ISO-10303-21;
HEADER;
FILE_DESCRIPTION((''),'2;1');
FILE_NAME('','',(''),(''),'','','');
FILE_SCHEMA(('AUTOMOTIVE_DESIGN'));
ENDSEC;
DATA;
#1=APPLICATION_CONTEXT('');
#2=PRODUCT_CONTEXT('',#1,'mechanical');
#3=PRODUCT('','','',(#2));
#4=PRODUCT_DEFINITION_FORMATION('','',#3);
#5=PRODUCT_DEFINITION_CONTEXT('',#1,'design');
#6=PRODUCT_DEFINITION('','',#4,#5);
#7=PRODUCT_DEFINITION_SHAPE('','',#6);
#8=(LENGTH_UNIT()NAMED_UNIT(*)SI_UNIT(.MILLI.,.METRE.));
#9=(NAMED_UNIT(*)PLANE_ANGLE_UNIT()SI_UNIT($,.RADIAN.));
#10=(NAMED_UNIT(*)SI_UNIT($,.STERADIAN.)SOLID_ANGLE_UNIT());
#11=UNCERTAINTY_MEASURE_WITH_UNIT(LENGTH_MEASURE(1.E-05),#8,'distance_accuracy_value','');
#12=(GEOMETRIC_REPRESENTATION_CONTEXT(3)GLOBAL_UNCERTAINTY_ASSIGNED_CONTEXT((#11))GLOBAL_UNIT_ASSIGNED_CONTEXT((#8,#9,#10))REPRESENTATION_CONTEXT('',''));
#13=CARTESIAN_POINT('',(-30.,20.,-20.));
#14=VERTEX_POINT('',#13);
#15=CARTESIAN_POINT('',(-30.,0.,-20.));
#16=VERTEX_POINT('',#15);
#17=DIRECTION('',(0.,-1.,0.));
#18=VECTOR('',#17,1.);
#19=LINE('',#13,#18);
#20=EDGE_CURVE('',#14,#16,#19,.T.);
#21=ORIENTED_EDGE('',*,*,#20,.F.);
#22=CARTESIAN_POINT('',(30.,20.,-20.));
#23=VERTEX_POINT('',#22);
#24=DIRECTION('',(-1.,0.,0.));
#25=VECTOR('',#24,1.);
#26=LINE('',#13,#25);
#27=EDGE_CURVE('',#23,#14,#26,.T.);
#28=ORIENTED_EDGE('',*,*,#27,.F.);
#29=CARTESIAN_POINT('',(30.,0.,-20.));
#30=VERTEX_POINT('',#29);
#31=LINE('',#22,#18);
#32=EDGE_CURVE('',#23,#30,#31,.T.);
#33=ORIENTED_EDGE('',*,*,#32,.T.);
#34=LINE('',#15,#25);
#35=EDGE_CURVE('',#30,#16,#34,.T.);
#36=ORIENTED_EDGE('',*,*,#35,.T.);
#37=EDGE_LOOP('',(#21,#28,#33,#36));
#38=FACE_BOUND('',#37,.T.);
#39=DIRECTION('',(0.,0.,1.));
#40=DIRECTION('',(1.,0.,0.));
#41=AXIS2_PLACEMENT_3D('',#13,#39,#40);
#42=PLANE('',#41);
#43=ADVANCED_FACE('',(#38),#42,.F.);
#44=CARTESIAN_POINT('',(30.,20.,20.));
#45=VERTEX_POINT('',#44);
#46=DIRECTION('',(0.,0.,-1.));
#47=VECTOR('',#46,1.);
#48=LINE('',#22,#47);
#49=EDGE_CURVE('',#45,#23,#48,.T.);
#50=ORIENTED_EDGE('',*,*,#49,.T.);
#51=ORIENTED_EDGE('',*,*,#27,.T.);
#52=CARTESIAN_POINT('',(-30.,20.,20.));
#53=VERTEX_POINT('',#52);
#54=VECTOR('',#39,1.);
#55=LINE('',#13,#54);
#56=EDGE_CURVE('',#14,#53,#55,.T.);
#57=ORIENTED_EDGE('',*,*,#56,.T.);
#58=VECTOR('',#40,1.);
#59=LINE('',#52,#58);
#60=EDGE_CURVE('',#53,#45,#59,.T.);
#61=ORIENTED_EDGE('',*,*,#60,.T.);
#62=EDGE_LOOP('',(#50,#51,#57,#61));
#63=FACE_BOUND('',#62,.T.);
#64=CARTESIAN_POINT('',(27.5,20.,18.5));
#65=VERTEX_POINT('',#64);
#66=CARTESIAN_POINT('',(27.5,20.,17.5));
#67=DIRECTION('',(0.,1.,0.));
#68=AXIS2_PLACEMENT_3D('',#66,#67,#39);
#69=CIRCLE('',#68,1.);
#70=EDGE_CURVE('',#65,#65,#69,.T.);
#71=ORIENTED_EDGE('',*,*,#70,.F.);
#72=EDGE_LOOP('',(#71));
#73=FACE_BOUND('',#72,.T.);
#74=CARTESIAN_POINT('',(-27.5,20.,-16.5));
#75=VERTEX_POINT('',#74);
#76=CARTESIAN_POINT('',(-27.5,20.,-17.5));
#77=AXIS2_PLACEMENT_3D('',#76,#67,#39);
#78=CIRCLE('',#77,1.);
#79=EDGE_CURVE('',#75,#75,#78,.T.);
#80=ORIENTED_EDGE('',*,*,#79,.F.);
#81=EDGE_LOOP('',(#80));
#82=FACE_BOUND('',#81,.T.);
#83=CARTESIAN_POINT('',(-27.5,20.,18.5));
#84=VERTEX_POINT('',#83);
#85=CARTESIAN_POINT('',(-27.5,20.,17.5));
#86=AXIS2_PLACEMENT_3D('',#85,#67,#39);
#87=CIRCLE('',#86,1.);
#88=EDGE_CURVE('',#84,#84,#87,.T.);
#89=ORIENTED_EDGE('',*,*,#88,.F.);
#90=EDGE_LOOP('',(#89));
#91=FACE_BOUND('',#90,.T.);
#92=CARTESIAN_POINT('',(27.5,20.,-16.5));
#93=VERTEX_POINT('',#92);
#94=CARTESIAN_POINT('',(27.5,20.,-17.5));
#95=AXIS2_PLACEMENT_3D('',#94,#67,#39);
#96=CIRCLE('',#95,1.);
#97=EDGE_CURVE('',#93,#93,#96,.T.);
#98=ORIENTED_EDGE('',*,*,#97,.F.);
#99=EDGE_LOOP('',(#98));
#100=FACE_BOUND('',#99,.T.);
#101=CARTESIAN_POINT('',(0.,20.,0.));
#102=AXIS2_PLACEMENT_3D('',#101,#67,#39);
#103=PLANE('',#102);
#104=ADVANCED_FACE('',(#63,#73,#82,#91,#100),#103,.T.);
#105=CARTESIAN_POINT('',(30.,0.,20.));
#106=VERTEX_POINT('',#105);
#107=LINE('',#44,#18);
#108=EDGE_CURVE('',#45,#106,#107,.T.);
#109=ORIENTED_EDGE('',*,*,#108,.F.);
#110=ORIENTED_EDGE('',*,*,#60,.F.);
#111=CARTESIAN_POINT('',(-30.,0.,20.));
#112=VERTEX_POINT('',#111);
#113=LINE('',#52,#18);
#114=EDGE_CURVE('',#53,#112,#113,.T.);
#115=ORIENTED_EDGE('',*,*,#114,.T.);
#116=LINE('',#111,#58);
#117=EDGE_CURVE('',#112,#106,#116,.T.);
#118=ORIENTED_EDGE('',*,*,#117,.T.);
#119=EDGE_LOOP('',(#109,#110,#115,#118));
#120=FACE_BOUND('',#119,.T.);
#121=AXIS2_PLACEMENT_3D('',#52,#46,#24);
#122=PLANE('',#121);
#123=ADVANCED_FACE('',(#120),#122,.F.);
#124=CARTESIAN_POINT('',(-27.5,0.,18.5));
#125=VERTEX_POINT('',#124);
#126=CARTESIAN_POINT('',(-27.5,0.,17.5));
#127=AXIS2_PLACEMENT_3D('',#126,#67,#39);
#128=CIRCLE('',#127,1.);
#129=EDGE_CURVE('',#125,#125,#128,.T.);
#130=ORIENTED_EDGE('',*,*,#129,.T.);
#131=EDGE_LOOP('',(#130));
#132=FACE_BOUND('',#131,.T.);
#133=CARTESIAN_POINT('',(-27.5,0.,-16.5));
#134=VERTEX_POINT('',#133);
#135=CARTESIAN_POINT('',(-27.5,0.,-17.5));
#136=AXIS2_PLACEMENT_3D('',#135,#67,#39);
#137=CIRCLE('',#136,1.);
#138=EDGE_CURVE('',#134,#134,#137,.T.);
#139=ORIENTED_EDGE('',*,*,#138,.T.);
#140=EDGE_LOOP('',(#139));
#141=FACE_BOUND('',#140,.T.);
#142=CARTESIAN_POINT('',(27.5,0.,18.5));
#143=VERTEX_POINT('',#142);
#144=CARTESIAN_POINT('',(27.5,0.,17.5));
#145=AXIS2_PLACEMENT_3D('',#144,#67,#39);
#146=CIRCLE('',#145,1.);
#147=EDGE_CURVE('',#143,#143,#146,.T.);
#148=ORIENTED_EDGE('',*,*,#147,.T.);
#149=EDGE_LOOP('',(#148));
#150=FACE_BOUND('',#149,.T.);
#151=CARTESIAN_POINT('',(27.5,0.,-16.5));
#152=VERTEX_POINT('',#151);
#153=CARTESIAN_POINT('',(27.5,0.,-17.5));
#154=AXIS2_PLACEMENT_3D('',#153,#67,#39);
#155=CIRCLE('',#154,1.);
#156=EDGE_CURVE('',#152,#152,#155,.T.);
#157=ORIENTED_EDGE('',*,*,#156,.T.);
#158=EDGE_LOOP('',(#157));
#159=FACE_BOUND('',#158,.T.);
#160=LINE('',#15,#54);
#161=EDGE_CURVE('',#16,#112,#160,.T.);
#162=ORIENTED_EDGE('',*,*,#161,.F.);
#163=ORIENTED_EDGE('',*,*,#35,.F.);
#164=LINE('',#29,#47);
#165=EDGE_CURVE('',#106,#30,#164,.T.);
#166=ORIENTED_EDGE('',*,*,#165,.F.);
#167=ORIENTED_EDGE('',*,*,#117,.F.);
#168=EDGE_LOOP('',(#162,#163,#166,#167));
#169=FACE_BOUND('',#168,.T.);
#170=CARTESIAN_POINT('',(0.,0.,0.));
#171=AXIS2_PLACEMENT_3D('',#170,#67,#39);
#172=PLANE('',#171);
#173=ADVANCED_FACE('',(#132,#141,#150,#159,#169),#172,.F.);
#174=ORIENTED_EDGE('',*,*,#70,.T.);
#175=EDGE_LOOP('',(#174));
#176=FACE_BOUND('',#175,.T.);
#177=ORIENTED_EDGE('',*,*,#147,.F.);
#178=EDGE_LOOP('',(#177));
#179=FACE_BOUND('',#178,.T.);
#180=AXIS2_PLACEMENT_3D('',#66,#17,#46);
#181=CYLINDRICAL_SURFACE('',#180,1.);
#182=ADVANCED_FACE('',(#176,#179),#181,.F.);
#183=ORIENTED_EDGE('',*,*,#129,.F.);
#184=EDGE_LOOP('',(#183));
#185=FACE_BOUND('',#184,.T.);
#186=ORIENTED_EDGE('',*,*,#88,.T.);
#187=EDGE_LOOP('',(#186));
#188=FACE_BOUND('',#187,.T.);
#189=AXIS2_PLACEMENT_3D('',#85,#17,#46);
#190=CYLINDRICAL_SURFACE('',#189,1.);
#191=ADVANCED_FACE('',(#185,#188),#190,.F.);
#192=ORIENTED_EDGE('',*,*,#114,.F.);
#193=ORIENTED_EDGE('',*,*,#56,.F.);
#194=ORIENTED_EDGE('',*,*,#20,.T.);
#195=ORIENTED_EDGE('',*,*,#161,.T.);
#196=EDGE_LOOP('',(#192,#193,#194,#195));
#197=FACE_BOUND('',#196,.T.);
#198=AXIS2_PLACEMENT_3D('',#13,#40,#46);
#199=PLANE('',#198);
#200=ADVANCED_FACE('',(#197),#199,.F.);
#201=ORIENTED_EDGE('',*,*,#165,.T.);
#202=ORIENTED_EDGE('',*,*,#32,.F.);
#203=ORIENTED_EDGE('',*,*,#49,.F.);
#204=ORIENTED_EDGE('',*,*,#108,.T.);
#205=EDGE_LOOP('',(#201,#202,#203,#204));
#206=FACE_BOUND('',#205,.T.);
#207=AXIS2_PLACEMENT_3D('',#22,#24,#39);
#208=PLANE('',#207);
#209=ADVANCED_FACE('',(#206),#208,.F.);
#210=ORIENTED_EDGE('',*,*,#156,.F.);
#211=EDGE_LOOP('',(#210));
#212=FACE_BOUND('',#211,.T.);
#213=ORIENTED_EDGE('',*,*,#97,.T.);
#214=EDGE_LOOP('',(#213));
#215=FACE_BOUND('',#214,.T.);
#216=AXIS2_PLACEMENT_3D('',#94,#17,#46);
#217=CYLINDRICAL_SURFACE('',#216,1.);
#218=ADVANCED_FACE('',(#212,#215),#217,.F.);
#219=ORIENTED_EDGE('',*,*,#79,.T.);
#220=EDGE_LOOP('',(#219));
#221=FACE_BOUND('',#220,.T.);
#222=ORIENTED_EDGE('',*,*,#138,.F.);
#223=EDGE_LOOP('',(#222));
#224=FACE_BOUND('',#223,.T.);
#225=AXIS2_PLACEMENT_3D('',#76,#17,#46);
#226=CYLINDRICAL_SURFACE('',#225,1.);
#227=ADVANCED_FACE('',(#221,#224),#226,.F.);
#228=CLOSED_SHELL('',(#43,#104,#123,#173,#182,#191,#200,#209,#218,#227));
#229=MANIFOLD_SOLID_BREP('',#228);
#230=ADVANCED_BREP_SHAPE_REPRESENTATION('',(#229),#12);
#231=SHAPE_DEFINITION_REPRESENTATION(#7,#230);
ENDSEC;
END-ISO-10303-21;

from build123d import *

# Parameters (mm, degrees)
SKETCH1_W           = 60
SKETCH1_H           = 40
SKETCH1_R           = 1
BOSS_EXTRUDE1_DEPTH = 20


with BuildPart() as part:
    # Sketch1 → Boss-Extrude1 (new body)
    with BuildSketch(Plane(origin=(0, 0, 0), x_dir=(1, 0, 0), z_dir=(0, 1, 0))):
        Rectangle(SKETCH1_W, SKETCH1_H)
        with Locations((-27.5, 17.5)):
            Circle(SKETCH1_R, mode=Mode.SUBTRACT)
        with Locations((27.5, 17.5)):
            Circle(SKETCH1_R, mode=Mode.SUBTRACT)
        with Locations((27.5, -17.5)):
            Circle(SKETCH1_R, mode=Mode.SUBTRACT)
        with Locations((-27.5, -17.5)):
            Circle(SKETCH1_R, mode=Mode.SUBTRACT)
    extrude(amount=BOSS_EXTRUDE1_DEPTH)


solid = part.part
